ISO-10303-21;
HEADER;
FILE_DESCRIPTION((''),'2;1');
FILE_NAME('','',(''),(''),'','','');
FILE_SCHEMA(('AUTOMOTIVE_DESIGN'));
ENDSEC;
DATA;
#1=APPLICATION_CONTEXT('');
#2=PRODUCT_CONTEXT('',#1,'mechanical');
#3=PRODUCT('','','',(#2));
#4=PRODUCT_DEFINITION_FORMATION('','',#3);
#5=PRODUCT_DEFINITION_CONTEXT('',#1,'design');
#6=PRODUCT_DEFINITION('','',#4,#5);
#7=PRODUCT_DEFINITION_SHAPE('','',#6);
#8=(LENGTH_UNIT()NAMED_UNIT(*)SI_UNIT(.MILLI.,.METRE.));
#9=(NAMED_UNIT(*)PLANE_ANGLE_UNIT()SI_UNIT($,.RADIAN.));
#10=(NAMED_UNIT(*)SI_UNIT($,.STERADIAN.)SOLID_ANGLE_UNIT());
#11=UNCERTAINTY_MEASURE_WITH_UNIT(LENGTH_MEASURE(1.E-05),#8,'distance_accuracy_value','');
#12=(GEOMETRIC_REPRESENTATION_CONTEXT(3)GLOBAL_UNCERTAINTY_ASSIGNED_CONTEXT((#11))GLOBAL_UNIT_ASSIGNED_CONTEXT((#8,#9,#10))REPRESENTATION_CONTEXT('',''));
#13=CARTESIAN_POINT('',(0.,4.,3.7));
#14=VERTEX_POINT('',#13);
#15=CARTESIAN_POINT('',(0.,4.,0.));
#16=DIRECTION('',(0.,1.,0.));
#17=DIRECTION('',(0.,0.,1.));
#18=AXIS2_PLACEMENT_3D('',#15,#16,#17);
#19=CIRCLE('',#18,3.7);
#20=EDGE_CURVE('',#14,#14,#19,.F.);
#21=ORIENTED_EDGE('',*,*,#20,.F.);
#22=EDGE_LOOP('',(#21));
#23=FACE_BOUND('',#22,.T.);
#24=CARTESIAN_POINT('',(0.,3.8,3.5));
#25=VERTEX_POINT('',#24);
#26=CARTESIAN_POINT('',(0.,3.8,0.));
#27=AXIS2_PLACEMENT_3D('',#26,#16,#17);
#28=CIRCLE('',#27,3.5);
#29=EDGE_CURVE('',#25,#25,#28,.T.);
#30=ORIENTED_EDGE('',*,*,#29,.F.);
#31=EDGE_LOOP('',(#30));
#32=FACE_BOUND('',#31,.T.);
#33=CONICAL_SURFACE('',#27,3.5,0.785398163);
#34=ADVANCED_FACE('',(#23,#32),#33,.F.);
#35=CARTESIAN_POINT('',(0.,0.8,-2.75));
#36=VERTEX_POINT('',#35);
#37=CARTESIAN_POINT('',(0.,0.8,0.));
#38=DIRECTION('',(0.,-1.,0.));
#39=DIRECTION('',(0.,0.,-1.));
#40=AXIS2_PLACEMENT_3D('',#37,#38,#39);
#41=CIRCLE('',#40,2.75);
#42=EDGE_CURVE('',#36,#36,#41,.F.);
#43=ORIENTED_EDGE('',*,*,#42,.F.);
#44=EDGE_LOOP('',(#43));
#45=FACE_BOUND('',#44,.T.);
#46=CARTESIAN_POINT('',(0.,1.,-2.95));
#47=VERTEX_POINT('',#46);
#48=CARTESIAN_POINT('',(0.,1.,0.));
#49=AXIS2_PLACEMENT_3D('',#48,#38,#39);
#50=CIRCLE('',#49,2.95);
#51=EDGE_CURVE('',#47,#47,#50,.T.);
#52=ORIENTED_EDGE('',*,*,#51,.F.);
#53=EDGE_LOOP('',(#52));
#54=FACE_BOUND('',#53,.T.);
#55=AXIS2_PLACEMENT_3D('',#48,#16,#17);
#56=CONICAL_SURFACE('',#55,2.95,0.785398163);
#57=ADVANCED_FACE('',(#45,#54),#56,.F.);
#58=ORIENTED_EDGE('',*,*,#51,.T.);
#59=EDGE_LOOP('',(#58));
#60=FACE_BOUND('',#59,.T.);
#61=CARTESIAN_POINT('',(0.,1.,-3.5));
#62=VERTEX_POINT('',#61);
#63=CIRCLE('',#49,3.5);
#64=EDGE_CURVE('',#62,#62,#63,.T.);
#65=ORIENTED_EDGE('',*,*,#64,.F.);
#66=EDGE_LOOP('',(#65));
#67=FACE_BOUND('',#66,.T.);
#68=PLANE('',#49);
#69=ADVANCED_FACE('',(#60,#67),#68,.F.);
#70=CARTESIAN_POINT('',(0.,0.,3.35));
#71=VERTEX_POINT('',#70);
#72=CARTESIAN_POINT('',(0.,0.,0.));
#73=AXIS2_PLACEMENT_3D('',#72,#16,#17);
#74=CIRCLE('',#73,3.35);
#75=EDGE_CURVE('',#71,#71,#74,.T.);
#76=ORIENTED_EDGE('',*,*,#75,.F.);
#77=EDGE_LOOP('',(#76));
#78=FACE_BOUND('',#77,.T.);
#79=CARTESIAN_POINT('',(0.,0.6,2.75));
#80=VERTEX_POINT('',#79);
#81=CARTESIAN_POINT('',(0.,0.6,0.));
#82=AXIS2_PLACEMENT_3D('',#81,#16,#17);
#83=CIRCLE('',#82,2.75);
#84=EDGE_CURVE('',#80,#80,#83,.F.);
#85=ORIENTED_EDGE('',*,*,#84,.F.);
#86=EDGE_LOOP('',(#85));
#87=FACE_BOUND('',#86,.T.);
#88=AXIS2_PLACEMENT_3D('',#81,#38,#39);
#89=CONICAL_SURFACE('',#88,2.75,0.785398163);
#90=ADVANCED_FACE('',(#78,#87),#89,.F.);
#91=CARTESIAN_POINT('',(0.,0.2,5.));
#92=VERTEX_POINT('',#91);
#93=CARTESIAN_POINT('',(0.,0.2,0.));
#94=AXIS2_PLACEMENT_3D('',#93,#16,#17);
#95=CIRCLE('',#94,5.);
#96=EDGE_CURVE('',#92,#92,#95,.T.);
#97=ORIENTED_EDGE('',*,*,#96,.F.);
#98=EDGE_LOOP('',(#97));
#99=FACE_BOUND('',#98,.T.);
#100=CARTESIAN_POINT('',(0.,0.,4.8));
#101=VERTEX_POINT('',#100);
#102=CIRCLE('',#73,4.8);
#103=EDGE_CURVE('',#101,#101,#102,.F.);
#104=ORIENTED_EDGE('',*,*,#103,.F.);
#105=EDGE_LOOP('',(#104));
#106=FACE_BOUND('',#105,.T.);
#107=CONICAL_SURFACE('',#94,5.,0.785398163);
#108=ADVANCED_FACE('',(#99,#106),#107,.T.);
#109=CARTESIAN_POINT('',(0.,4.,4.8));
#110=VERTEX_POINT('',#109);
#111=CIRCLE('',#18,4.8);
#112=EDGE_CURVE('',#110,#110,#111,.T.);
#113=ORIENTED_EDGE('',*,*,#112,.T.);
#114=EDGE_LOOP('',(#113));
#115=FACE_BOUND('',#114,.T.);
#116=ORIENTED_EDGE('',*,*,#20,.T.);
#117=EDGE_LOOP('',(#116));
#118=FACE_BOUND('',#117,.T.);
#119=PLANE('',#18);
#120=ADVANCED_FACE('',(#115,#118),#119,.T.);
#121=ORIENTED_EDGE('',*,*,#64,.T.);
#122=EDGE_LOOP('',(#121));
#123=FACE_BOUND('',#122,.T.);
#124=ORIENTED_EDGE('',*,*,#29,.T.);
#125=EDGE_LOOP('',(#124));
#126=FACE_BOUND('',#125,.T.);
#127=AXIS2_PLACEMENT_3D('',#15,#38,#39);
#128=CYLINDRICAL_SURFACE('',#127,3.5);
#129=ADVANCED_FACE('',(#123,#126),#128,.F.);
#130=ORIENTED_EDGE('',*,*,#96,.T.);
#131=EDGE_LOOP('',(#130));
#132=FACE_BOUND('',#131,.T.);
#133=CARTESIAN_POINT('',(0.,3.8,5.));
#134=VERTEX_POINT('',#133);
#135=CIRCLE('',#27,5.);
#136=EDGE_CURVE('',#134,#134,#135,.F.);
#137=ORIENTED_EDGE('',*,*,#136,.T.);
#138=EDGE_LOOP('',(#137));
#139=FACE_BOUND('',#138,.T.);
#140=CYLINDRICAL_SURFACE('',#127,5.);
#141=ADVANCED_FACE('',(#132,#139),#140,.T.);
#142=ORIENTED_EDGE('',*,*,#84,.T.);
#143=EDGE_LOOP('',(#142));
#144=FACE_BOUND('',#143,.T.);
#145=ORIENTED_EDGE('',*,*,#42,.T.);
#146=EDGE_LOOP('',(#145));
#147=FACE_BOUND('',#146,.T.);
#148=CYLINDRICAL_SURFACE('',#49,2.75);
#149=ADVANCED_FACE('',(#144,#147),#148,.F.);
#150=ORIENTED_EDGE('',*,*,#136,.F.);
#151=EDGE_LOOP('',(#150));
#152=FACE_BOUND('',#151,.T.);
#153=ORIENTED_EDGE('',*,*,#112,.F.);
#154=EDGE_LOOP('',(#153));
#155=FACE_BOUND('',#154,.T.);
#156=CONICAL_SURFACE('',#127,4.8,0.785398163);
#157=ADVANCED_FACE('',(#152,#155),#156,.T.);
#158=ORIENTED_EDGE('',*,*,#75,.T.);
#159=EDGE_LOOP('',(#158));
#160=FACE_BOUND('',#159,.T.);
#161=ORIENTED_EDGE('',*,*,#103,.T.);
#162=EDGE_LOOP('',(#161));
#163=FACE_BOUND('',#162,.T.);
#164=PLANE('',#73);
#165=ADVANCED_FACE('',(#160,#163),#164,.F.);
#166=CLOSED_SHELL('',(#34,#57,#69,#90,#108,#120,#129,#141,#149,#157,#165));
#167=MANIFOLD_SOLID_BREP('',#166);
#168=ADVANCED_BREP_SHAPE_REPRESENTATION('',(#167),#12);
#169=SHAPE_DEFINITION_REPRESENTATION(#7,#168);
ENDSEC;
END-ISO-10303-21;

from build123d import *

# Parameters (mm, degrees)
SKETCH1_R           = 5
SKETCH1_R_2         = 3.5
BOSS_EXTRUDE1_DEPTH = 4
SKETCH2_R           = 5
SKETCH2_R_2         = 2.75
BOSS_EXTRUDE2_DEPTH = 1
CHAMFER1_SIZE       = 0.2
CHAMFER2_SIZE       = 0.6


with BuildPart() as part:
    # Sketch1 → Boss-Extrude1 (new body)
    with BuildSketch(Plane(origin=(0, 0, 0), x_dir=(1, 0, 0), z_dir=(0, 1, 0))):
        Circle(SKETCH1_R)
        Circle(SKETCH1_R_2, mode=Mode.SUBTRACT)
    extrude(amount=BOSS_EXTRUDE1_DEPTH)

    # Sketch2 → Boss-Extrude2 (add)
    with BuildSketch(Plane.XZ):
        Circle(SKETCH2_R)
        Circle(SKETCH2_R_2, mode=Mode.SUBTRACT)
    extrude(amount=-BOSS_EXTRUDE2_DEPTH)

    # Chamfer1
    chamfer1_edges = [part.edges().sort_by_distance(p)[0] for p in [
        (-2.75, 1, 0),
        (-5, 0, 0),
        (-5, 4, 0),
        (-3.5, 4, 0),
    ]]
    chamfer(chamfer1_edges, length=CHAMFER1_SIZE)

    # Chamfer2
    chamfer2_edges = [part.edges().sort_by_distance(p)[0] for p in [
        (-2.75, 0, 0),
    ]]
    chamfer(chamfer2_edges, length=CHAMFER2_SIZE)


solid = part.part
